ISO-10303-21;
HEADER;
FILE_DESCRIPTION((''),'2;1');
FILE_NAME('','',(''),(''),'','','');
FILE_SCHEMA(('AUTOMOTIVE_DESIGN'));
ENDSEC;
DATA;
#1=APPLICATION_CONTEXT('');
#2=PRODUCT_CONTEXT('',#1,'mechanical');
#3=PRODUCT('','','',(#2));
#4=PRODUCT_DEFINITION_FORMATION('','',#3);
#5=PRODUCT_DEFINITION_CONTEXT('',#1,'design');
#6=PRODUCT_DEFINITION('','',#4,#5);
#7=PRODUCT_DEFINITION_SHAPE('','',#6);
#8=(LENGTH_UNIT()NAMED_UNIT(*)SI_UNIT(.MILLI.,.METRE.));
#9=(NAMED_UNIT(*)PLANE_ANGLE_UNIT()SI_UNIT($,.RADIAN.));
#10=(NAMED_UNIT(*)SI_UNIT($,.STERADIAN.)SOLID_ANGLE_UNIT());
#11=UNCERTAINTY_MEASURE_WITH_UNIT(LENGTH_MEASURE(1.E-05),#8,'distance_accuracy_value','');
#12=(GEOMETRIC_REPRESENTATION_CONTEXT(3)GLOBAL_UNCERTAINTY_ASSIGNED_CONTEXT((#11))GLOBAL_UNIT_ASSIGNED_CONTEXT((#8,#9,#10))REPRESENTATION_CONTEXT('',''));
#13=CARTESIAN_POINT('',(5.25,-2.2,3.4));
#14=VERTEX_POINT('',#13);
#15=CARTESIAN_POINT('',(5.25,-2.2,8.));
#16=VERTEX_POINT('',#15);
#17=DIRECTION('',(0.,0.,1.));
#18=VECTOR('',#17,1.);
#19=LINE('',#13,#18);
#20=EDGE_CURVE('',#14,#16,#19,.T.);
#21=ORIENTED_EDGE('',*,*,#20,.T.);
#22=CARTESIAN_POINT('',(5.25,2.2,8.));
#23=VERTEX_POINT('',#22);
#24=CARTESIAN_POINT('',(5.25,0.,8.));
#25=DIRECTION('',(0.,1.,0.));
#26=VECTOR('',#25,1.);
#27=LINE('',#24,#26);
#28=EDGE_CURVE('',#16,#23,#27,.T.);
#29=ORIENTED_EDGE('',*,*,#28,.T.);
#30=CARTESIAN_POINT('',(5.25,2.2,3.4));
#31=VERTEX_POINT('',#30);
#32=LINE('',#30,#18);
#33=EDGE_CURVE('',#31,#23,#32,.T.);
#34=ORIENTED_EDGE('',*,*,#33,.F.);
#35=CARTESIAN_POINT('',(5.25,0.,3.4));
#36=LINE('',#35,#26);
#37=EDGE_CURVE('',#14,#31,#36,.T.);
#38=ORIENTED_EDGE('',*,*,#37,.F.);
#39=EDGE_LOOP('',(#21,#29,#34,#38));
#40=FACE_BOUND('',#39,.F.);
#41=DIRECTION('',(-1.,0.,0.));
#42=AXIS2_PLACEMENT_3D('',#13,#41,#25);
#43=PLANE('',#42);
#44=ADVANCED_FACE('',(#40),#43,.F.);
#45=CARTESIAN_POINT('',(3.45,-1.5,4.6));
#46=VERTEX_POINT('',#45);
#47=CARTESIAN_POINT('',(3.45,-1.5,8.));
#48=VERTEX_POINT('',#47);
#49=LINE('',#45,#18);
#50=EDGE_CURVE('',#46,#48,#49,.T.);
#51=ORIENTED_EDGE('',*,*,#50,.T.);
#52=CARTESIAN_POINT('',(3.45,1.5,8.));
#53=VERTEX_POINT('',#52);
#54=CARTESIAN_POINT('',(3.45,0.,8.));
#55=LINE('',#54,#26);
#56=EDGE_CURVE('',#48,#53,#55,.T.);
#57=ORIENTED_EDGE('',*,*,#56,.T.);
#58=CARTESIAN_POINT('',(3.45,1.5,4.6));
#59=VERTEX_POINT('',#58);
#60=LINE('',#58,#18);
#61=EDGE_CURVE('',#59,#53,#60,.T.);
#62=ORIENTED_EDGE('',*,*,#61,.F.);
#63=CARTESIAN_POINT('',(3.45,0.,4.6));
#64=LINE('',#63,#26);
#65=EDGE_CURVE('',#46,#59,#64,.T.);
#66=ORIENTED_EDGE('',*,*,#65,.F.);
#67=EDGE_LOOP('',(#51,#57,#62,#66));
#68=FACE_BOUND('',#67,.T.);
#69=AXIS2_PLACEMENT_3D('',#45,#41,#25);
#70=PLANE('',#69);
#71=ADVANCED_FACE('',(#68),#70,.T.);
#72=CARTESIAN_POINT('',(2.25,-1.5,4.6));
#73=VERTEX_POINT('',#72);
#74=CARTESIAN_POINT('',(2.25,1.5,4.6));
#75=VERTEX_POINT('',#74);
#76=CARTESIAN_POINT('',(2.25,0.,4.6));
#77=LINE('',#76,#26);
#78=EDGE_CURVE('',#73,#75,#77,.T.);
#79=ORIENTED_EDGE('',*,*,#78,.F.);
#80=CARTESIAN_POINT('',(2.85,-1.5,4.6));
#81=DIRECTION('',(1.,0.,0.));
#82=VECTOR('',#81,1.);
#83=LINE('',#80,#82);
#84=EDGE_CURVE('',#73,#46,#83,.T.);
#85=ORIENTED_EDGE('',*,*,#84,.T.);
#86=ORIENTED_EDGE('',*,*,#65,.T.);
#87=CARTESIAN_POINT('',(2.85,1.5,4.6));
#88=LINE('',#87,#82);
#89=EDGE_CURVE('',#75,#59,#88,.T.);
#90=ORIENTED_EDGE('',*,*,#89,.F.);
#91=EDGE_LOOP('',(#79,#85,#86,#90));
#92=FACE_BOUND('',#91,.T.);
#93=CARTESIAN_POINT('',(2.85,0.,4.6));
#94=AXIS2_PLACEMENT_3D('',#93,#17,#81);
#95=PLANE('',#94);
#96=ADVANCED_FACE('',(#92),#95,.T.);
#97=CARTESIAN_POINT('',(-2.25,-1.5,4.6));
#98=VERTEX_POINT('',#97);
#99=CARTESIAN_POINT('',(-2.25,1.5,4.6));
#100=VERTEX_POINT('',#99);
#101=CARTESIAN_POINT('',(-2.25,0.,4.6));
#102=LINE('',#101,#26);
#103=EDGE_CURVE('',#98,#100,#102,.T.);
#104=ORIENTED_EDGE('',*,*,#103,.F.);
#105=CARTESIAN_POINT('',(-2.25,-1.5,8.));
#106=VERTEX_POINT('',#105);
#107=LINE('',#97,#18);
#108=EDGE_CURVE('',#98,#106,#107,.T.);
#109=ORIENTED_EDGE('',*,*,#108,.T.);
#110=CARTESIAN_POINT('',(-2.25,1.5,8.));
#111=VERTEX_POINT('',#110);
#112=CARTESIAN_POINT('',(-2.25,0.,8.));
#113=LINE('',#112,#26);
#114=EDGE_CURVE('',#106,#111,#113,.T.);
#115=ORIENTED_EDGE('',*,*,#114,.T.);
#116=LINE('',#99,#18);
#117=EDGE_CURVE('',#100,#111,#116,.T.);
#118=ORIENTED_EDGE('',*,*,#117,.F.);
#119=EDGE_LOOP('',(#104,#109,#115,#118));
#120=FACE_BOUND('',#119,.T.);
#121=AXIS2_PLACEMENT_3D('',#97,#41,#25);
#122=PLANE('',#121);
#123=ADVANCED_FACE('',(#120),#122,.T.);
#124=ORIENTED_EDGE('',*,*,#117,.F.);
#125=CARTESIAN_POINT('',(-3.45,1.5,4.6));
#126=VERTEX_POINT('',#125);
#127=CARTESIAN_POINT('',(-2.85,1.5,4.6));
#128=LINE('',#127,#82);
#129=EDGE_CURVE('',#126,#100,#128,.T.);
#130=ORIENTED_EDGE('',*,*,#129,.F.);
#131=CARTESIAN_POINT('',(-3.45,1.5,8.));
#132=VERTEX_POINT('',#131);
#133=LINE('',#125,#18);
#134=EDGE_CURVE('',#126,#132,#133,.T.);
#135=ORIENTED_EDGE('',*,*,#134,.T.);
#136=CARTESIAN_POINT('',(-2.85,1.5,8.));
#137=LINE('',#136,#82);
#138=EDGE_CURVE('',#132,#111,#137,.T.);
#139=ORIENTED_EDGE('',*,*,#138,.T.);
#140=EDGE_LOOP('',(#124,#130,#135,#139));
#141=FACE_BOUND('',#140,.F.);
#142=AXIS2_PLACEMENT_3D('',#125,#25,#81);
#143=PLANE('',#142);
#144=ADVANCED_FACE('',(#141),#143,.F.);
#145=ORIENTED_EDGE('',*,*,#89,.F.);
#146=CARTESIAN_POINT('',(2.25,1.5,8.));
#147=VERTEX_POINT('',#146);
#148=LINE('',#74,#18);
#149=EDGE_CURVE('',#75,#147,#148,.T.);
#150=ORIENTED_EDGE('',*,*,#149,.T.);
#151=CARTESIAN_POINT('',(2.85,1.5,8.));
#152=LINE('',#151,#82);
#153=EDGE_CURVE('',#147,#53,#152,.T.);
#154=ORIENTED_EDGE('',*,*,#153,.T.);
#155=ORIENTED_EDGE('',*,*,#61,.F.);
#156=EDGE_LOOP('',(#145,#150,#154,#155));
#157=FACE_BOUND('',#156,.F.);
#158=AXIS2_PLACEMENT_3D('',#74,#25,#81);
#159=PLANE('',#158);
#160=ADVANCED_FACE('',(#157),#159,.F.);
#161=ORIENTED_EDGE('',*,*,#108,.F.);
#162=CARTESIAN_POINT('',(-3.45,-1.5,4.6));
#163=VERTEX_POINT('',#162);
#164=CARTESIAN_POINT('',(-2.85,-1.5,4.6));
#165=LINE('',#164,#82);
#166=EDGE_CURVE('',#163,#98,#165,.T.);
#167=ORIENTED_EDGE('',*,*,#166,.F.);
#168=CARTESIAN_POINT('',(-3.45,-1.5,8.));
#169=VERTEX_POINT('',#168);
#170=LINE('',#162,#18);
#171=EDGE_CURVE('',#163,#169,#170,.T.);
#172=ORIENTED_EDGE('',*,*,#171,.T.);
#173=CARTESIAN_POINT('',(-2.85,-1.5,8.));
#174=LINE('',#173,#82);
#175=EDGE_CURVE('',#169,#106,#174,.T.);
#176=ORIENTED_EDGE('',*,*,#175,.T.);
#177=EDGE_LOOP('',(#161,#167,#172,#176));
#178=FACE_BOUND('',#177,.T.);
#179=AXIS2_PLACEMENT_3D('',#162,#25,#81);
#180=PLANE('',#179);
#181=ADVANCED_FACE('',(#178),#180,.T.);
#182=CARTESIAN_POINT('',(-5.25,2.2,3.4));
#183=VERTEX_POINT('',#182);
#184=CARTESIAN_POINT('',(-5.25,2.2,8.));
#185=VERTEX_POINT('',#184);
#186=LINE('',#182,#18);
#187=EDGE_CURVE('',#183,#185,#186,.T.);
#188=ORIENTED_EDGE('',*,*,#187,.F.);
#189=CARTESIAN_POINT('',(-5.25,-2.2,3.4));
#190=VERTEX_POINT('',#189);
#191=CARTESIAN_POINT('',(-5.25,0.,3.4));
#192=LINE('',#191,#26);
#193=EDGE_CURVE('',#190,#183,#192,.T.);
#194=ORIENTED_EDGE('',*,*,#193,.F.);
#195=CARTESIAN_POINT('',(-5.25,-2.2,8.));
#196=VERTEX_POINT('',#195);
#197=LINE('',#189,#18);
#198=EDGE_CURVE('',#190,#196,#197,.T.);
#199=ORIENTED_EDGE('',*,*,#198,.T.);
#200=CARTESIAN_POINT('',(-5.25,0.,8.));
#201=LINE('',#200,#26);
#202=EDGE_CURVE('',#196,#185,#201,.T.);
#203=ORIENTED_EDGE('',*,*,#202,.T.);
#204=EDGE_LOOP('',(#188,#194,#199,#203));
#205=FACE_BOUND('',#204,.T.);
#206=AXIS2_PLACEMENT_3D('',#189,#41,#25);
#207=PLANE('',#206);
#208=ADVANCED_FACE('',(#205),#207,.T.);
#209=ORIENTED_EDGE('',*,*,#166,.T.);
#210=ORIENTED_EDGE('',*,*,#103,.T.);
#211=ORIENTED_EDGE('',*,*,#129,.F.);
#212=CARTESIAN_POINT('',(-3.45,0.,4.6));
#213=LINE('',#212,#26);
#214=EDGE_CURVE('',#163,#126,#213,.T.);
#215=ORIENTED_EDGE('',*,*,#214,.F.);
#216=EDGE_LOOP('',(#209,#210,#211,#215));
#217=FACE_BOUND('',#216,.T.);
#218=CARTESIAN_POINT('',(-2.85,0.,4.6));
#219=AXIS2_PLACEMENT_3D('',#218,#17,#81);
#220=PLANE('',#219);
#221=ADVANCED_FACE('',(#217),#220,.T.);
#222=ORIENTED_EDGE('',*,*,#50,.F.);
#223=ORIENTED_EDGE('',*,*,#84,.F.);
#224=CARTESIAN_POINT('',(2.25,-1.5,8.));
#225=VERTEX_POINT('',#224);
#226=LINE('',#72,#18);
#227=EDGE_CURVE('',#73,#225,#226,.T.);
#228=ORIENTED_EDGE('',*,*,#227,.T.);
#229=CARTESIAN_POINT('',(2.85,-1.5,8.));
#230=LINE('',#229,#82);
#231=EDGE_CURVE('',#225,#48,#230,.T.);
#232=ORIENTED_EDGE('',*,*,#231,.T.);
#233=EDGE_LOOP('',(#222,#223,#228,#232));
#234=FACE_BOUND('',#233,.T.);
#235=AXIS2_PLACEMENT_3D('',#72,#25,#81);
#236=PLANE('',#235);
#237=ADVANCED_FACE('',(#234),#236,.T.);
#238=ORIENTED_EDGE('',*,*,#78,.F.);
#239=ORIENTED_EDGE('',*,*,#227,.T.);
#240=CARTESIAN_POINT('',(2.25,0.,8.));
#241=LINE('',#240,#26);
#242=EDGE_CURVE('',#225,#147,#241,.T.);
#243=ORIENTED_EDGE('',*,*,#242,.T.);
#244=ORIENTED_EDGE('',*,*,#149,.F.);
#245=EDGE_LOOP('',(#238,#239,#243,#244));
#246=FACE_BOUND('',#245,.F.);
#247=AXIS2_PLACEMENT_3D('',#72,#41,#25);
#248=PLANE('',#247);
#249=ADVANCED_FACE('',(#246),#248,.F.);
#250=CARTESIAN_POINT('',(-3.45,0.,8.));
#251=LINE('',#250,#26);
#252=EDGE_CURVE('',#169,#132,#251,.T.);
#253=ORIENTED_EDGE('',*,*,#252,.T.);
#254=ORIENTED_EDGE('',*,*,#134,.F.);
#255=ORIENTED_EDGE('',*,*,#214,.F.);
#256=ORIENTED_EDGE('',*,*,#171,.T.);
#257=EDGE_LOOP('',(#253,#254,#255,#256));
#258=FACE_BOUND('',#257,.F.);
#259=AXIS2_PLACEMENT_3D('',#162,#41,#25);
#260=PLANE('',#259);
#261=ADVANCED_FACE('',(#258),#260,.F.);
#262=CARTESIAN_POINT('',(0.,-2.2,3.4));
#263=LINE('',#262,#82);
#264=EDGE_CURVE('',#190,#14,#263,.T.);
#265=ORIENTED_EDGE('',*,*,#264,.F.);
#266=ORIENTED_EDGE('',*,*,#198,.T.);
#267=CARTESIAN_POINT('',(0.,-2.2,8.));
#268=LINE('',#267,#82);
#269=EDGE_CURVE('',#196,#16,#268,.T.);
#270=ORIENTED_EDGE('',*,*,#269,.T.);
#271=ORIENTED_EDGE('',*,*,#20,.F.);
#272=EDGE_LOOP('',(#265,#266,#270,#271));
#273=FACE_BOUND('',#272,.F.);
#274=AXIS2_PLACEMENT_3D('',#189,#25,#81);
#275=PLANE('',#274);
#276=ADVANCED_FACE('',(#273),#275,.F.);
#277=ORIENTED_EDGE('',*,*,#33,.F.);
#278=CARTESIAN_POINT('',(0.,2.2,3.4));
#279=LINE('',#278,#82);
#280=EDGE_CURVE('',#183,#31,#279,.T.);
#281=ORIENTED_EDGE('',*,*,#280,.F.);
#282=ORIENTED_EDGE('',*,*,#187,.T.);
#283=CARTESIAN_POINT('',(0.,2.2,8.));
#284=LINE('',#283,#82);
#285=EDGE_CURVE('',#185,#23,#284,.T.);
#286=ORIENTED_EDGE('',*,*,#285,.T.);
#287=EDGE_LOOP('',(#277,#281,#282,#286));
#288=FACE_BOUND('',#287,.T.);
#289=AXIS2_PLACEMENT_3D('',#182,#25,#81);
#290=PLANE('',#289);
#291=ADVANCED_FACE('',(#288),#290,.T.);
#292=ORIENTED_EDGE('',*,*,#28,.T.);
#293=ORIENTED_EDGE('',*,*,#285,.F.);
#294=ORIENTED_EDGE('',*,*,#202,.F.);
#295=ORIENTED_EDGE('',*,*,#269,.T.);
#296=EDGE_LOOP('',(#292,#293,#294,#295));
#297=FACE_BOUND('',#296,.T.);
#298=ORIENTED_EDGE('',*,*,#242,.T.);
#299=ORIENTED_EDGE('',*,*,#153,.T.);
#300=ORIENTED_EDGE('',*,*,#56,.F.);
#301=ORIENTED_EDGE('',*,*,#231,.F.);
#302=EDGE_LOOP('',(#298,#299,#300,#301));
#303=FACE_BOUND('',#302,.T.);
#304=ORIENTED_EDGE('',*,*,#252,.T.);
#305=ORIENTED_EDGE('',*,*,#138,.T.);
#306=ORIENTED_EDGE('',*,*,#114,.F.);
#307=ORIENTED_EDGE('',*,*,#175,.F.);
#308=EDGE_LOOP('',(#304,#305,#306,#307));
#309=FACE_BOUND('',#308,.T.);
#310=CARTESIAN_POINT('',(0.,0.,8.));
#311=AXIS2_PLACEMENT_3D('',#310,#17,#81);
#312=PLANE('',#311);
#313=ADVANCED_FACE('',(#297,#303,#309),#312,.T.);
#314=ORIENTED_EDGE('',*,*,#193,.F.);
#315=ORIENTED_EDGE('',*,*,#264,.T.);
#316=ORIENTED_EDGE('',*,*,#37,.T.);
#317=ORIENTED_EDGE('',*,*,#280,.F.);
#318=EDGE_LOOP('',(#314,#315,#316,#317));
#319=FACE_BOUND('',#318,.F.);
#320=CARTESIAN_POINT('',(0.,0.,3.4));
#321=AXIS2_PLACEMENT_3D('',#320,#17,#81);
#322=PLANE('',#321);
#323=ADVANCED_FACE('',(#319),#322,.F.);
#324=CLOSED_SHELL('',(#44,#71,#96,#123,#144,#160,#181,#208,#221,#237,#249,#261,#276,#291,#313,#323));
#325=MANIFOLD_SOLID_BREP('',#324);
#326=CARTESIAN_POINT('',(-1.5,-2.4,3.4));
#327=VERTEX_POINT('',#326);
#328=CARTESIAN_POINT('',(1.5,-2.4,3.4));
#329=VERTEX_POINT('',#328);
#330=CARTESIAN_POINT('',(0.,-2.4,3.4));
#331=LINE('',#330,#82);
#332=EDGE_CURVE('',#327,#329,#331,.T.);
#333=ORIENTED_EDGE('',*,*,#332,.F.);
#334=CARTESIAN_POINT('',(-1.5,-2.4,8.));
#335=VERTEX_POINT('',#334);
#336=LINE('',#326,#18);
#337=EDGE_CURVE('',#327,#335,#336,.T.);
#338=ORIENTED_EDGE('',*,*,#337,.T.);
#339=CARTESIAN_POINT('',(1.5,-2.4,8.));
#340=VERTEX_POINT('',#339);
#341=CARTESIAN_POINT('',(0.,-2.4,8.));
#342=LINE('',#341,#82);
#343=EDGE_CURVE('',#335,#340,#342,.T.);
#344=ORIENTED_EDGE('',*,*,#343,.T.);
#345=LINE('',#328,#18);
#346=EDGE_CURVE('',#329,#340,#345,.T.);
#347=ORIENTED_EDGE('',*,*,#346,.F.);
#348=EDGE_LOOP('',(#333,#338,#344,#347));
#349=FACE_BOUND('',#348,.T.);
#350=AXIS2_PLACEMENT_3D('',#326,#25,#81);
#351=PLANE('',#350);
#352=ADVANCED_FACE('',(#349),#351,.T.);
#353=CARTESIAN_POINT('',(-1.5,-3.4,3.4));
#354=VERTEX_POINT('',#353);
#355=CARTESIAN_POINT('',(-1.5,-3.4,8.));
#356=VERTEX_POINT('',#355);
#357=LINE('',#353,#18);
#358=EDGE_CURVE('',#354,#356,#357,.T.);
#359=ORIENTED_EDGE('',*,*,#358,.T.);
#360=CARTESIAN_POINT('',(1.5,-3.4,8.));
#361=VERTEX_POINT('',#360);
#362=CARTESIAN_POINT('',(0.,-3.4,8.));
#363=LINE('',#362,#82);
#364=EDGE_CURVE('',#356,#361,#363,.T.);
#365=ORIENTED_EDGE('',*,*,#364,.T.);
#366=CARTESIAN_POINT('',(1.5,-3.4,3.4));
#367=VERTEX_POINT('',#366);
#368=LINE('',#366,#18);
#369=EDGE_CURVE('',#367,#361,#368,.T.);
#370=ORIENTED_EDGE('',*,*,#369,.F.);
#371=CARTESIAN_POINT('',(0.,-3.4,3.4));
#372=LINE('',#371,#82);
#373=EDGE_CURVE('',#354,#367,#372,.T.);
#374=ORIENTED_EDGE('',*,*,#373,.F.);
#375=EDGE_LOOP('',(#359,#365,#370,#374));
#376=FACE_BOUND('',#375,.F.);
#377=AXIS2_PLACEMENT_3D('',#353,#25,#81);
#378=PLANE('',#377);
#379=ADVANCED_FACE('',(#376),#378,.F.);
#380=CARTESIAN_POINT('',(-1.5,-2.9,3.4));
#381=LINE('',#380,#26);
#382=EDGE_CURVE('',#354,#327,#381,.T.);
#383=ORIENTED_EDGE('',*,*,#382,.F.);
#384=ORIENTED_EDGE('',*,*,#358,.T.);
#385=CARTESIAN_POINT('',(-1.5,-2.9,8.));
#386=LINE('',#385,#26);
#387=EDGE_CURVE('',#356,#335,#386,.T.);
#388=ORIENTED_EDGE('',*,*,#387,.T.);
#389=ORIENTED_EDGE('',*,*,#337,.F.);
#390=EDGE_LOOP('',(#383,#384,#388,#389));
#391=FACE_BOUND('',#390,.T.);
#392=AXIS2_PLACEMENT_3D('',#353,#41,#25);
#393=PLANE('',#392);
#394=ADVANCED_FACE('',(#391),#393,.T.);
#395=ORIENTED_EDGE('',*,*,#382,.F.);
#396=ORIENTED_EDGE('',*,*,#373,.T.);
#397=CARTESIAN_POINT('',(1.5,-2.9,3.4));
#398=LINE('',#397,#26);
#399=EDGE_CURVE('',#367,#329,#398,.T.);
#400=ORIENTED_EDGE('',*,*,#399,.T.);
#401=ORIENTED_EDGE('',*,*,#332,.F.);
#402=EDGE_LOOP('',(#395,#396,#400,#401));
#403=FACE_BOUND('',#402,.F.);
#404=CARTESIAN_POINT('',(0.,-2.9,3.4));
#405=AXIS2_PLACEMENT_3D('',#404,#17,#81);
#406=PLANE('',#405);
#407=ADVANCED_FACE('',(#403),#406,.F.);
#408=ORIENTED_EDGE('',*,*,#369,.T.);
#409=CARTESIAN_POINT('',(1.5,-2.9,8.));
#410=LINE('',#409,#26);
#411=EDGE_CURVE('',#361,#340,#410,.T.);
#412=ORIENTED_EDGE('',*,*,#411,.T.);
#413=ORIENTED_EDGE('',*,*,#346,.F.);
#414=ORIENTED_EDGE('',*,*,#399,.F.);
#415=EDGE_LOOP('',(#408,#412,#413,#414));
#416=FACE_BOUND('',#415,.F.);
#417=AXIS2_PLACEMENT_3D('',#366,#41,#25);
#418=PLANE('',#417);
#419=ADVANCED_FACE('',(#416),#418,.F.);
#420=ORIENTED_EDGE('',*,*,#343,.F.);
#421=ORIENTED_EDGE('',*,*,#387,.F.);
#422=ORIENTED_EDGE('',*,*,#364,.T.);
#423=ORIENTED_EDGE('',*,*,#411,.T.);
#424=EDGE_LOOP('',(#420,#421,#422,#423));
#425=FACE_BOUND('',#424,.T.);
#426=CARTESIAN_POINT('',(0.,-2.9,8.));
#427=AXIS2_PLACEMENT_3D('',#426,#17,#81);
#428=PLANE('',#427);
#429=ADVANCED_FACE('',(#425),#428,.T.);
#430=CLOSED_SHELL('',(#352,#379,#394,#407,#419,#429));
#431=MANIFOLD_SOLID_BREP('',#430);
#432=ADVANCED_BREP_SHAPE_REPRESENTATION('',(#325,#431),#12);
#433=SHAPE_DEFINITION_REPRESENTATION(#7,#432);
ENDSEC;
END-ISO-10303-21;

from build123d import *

# Parameters (mm, degrees)
BOX006_W     = 1.2
BOX006_H     = 3
BOX006_DEPTH = 3.4
BOX007_W     = 1.2
BOX007_H     = 3
BOX007_DEPTH = 3.4
BOX004_W     = 10.5
BOX004_H     = 4.4
BOX004_DEPTH = 4.6
BOX005_W     = 3
BOX005_H     = 1
BOX005_DEPTH = 4.6


with BuildPart() as pg1350_hole1:
    # Box006 → Box006 (new body)
    with BuildSketch(Plane(origin=(-3.45, -1.5, 4.6), x_dir=(1, 0, 0), z_dir=(0, 0, 1))):
        with Locations((0.6, 1.5)):
            Rectangle(BOX006_W, BOX006_H)
    extrude(amount=BOX006_DEPTH)


with BuildPart() as pg1350_holes:
    # Box007 → Box007 (new body)
    with BuildSketch(Plane(origin=(2.25, -1.5, 4.6), x_dir=(1, 0, 0), z_dir=(0, 0, 1))):
        with Locations((0.6, 1.5)):
            Rectangle(BOX007_W, BOX007_H)
    extrude(amount=BOX007_DEPTH)

    # Fusion001: union PG1350_Hole1
    add(pg1350_hole1.part)


with BuildPart() as pg1350_stemmain:
    # Box004 → Box004 (new body)
    with BuildSketch(Plane(origin=(-5.25, -2.2, 3.4), x_dir=(1, 0, 0), z_dir=(0, 0, 1))):
        with Locations((5.25, 2.2)):
            Rectangle(BOX004_W, BOX004_H)
    extrude(amount=BOX004_DEPTH)


with BuildPart() as pg1350_stem:
    # Box005 → Box005 (new body)
    with BuildSketch(Plane(origin=(-1.5, -3.4, 3.4), x_dir=(1, 0, 0), z_dir=(0, 0, 1))):
        with Locations((1.5, 0.5)):
            Rectangle(BOX005_W, BOX005_H)
    extrude(amount=BOX005_DEPTH)

    # Fusion: union PG1350_StemMain
    add(pg1350_stemmain.part)

    # Cut001: cut PG1350_Holes
    add(pg1350_holes.part, mode=Mode.SUBTRACT)


solid = pg1350_stem.part
